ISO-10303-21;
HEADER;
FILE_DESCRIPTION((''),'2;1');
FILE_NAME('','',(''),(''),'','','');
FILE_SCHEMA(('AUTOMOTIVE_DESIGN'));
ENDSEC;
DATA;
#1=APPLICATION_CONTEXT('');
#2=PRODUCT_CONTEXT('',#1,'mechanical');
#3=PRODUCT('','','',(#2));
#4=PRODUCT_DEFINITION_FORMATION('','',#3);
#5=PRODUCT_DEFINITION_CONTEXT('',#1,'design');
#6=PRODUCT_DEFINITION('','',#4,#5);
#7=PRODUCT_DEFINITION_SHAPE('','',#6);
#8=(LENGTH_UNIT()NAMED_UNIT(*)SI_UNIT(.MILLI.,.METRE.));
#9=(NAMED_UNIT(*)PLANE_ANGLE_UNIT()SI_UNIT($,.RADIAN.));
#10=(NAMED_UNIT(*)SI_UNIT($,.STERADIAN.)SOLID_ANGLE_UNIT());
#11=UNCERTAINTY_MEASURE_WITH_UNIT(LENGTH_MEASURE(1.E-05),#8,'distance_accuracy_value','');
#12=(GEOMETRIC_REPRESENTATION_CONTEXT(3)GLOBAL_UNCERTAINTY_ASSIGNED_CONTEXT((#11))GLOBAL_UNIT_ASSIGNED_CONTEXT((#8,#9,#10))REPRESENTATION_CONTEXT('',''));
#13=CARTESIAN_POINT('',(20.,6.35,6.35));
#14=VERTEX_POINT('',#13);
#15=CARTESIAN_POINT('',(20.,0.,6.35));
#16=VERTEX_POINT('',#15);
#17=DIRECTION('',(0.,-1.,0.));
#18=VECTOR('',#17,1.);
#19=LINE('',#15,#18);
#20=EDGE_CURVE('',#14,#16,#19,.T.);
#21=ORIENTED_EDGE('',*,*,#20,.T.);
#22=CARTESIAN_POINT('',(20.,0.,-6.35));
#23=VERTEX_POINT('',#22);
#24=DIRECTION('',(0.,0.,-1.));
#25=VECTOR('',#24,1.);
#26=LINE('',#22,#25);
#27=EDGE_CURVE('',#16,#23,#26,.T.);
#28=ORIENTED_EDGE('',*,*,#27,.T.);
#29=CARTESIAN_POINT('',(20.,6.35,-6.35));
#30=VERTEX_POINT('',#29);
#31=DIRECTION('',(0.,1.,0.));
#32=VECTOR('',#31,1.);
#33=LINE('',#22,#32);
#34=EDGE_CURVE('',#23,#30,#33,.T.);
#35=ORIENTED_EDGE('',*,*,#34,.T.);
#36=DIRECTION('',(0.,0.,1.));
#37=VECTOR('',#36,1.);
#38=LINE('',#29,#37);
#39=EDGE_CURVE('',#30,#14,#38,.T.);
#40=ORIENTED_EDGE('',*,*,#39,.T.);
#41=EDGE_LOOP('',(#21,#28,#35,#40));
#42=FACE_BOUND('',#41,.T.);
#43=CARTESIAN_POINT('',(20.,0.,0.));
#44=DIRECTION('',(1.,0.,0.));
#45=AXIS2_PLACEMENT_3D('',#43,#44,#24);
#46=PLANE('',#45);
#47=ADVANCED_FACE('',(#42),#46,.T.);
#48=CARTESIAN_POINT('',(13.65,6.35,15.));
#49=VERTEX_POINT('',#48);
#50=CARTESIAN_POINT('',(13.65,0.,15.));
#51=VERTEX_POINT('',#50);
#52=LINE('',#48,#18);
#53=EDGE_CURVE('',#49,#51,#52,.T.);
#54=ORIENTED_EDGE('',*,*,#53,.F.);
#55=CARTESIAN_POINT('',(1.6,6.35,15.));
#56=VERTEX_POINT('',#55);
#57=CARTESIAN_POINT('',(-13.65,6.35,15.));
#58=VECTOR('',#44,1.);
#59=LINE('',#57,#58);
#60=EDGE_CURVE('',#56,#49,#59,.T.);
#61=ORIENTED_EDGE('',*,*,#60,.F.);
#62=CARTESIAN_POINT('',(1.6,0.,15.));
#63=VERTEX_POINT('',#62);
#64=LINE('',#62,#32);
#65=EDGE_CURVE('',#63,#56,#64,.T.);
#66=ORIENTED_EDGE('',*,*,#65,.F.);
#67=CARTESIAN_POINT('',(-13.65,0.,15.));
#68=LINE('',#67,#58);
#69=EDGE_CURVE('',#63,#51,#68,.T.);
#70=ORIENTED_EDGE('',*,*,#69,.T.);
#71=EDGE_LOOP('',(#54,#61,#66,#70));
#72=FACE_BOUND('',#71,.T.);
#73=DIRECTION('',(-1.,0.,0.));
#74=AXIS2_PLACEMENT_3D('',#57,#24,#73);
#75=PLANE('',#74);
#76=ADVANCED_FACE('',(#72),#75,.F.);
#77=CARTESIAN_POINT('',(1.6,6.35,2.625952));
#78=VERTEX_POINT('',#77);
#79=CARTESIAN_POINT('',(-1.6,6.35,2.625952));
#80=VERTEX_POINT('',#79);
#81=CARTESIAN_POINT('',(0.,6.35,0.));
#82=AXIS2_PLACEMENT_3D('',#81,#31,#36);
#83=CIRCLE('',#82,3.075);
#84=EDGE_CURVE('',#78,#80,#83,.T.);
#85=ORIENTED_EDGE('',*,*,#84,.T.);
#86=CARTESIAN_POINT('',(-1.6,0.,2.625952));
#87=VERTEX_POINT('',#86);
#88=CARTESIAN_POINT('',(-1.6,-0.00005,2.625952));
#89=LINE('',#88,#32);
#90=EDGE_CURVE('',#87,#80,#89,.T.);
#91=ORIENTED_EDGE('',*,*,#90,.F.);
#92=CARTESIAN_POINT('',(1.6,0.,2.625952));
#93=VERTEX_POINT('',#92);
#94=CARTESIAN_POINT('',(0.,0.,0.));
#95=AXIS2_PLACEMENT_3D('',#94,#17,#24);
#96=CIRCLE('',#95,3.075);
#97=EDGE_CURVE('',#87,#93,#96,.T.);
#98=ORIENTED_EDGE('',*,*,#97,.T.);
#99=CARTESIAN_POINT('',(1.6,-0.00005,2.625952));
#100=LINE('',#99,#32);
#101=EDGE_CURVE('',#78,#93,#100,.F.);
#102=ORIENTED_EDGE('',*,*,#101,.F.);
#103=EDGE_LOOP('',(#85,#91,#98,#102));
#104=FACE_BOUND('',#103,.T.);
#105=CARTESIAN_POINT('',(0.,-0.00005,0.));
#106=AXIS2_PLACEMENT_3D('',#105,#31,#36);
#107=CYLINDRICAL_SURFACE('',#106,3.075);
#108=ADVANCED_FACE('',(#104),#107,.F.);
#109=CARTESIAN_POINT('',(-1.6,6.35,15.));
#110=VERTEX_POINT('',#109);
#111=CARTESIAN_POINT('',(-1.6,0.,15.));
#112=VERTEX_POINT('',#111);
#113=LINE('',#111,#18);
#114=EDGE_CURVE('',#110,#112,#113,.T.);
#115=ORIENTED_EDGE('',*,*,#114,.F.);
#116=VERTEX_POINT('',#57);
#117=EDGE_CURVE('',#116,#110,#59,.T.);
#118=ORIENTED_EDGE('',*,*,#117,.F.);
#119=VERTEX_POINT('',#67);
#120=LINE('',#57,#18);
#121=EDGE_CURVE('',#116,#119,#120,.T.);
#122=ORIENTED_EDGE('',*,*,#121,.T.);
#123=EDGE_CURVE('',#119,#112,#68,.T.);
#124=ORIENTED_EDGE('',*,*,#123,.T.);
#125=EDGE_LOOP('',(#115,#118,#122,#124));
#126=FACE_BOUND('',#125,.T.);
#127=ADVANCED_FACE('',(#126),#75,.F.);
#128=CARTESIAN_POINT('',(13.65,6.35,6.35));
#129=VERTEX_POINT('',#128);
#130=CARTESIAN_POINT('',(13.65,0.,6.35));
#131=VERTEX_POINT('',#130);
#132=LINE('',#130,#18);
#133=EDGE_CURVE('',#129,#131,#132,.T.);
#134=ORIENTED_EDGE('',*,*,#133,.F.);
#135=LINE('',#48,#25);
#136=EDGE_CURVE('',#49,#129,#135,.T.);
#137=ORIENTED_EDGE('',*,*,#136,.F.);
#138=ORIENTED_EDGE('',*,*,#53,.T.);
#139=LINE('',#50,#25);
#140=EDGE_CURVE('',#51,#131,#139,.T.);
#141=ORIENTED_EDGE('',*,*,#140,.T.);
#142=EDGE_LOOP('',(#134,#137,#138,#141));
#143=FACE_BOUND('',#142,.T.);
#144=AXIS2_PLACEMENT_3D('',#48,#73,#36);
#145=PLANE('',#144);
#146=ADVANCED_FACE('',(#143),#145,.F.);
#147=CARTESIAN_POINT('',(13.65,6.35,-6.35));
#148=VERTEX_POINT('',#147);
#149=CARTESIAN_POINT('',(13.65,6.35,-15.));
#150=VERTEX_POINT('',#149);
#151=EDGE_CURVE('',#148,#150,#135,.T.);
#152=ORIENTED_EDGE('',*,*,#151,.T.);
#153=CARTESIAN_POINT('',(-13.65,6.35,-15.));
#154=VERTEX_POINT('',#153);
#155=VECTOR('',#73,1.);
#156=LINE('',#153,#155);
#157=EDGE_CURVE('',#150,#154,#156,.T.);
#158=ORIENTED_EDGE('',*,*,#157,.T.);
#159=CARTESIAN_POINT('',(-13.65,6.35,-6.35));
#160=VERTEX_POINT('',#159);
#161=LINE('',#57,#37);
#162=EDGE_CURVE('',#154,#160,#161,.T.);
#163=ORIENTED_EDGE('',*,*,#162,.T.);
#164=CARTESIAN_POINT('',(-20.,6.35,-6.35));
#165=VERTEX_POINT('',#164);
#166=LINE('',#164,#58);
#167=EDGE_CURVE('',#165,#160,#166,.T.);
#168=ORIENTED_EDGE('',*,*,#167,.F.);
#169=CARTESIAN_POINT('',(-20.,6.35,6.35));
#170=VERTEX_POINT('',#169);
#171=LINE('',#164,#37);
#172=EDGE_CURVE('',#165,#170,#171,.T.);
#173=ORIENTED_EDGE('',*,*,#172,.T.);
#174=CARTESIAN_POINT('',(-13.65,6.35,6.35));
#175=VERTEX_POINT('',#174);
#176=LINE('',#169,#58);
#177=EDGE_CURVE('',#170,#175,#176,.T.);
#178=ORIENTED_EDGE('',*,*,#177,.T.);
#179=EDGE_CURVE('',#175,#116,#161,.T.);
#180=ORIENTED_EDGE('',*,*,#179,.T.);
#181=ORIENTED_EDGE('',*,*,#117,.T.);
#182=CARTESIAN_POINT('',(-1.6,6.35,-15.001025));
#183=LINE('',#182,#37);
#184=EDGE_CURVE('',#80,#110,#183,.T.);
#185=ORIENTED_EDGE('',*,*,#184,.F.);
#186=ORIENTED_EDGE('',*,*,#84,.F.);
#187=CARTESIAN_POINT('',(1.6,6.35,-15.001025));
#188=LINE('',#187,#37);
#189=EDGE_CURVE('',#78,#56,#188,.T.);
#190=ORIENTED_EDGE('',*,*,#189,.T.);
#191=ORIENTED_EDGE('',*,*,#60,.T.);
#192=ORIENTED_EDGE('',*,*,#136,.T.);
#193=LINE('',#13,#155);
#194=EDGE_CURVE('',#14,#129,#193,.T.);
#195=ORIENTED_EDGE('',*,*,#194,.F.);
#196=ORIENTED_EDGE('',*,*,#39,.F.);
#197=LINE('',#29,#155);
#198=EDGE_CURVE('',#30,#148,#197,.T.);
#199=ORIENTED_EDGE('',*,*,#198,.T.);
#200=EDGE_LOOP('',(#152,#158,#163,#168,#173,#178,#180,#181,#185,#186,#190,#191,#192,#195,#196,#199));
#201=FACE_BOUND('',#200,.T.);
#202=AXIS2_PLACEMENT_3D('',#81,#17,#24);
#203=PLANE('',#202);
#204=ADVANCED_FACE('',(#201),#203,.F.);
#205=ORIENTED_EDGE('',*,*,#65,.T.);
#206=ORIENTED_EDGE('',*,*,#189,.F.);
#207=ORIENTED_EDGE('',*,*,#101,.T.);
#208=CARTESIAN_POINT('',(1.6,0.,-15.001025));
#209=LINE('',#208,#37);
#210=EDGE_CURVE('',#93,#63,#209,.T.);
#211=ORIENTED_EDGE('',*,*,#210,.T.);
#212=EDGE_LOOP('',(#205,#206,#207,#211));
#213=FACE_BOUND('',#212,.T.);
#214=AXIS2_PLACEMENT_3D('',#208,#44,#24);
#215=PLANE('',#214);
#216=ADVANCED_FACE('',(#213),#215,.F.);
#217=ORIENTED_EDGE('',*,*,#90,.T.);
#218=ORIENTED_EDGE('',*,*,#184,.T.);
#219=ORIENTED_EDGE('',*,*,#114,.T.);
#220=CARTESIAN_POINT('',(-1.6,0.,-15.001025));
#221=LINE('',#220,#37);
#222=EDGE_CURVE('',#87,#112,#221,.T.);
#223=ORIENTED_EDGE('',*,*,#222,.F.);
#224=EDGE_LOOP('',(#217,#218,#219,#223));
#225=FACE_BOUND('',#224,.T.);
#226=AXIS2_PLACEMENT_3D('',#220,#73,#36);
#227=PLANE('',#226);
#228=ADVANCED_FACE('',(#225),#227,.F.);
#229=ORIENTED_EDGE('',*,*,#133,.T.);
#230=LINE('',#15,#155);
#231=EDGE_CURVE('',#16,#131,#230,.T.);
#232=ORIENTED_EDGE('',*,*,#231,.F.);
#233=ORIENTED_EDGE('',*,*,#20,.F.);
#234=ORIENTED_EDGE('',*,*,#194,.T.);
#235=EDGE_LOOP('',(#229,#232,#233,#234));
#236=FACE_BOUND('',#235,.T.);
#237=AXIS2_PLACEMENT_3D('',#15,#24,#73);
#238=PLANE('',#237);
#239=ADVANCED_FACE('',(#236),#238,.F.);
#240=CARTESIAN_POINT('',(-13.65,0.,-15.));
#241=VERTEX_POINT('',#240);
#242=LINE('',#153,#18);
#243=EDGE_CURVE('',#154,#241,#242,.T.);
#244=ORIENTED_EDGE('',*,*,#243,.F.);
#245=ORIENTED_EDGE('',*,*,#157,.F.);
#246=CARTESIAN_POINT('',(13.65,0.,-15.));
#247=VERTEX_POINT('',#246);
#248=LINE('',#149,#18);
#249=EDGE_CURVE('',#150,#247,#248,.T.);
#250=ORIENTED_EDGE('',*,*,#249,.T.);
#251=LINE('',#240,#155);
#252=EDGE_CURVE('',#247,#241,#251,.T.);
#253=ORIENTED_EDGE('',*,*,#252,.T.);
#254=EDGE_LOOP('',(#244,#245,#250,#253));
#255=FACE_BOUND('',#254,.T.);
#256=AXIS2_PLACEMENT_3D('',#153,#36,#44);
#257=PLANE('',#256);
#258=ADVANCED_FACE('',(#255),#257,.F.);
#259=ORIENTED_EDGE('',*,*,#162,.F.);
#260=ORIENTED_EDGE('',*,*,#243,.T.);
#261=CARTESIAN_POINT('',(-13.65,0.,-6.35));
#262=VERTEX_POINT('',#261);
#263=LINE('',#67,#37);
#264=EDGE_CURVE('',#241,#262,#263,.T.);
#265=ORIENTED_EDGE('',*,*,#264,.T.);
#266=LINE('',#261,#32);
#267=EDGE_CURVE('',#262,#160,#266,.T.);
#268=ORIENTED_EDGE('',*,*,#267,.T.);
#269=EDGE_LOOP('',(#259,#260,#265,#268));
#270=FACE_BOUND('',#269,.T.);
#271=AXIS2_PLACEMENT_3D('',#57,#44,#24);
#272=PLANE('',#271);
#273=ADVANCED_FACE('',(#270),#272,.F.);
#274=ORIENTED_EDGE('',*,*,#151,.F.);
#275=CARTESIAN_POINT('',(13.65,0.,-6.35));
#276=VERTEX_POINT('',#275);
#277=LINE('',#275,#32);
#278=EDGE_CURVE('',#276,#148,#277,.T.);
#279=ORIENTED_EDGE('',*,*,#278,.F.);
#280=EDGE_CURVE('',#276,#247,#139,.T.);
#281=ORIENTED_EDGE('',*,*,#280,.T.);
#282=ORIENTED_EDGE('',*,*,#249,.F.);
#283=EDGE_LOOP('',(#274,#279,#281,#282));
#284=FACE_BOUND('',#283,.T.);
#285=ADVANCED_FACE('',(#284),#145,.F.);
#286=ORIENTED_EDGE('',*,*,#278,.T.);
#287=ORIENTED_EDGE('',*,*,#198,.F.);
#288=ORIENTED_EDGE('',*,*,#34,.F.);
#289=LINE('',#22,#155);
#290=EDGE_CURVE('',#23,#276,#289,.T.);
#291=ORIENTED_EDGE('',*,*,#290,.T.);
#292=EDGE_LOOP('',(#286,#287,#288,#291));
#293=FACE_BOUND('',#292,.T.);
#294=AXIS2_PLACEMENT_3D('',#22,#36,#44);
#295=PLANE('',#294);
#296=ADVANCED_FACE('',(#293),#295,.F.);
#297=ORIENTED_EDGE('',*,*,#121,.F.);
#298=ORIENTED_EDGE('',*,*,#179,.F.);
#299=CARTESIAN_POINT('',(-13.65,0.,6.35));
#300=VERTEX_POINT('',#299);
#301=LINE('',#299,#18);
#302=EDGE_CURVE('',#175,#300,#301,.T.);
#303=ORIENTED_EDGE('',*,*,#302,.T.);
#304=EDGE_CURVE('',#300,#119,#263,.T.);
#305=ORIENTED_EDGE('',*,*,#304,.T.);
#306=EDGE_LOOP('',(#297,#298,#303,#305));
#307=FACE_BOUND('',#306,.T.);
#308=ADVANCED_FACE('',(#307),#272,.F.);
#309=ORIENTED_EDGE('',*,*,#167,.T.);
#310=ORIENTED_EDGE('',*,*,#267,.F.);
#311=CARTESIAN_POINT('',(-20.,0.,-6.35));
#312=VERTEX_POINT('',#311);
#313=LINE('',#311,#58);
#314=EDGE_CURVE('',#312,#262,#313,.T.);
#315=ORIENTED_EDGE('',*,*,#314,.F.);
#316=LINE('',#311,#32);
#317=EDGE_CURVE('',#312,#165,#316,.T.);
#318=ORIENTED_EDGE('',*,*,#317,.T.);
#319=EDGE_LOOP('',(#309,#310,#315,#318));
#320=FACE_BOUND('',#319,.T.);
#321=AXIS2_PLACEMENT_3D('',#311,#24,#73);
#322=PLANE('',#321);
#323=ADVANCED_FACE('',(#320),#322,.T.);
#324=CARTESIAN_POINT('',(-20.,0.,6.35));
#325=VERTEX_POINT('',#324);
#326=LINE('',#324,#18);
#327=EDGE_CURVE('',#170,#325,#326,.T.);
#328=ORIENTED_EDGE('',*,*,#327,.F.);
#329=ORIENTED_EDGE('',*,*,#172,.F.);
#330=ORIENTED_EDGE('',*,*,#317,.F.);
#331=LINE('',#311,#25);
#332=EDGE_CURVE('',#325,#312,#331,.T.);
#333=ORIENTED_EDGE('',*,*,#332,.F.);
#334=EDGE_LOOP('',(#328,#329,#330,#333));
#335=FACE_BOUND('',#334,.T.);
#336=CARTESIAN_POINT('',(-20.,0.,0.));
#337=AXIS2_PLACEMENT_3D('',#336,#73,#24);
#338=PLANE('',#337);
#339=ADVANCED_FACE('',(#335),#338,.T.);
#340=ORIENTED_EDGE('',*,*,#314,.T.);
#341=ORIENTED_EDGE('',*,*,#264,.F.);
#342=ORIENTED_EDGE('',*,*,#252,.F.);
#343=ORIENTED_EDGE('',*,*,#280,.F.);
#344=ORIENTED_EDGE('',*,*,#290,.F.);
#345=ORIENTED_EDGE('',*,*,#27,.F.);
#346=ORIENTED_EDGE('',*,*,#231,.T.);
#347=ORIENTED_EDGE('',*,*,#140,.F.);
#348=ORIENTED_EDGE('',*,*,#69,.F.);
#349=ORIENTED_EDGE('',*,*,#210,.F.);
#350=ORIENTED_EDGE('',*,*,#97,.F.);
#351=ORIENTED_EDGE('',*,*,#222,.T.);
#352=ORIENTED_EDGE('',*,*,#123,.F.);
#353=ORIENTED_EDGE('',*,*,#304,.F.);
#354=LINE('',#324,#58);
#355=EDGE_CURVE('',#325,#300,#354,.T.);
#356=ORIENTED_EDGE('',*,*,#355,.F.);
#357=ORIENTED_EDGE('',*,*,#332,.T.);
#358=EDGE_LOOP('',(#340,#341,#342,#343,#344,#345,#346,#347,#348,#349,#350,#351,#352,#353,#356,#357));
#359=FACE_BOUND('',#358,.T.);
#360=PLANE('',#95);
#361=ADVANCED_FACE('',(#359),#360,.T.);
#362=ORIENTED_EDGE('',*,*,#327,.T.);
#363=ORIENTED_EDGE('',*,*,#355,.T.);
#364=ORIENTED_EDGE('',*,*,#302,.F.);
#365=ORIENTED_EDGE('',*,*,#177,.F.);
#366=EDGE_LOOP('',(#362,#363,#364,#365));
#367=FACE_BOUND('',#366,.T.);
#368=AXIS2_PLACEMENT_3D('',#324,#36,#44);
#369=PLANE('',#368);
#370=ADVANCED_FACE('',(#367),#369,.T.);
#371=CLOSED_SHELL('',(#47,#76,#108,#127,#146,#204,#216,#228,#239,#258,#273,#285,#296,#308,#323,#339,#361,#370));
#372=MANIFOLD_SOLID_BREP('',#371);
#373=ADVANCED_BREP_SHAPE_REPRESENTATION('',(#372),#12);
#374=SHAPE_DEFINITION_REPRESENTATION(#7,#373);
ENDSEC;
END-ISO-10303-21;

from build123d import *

# Parameters (mm, degrees)
SKETCH2_W           = 27.3
SKETCH2_H           = 30
BOSS_EXTRUDE1_DEPTH = 6.35
SKETCH3_W           = 12.7
SKETCH3_H           = 6.35
BOSS_EXTRUDE2_DEPTH = 6.35
SKETCH4_R           = 3.075
CUT_EXTRUDE1_DEPTH  = 7.35
CUT_EXTRUDE2_REACH  = 32
SKETCH5_W           = 3.2
SKETCH5_H           = 6.35


with BuildPart() as part:
    # Sketch2 → Boss-Extrude1 (new body)
    with BuildSketch(Plane(origin=(0, 0, 0), x_dir=(1, 0, 0), z_dir=(0, 1, 0))):
        Rectangle(SKETCH2_W, SKETCH2_H)
    extrude(amount=BOSS_EXTRUDE1_DEPTH)

    # Sketch3 → Boss-Extrude2 (add)
    with BuildSketch(Plane(origin=(13.65, 0, 0), x_dir=(0, 0, -1), z_dir=(1, 0, 0))):
        with Locations((0, 3.175)):
            Rectangle(SKETCH3_W, SKETCH3_H)
    boss_extrude2 = extrude(amount=BOSS_EXTRUDE2_DEPTH)

    # Mirror1: Boss-Extrude2 across plane
    add(boss_extrude2.mirror(Plane(origin=(0, 0, 0), x_dir=(0, 0, 1), z_dir=(1, 0, 0))))

    # Sketch4 → Cut-Extrude1 (cut, through all)
    with BuildSketch(Plane(origin=(0, 6.35, 0), x_dir=(1, 0, 0), z_dir=(0, 1, 0))):
        Circle(SKETCH4_R)
    extrude(amount=-CUT_EXTRUDE1_DEPTH, mode=Mode.SUBTRACT)

    # Sketch5 → Cut-Extrude2 (cut, up to next)
    with BuildSketch(Plane.XY.offset(15), mode=Mode.PRIVATE) as cut_extrude2_sk1:
        with Locations((0, 3.175)):
            Rectangle(SKETCH5_W, SKETCH5_H)
    cut_extrude2_tool1 = extrude(cut_extrude2_sk1.sketch, amount=-CUT_EXTRUDE2_REACH, mode=Mode.PRIVATE) & part.part
    add(cut_extrude2_tool1.solids().sort_by_distance((0, 3.175, 15))[0], mode=Mode.SUBTRACT)


solid = part.part
